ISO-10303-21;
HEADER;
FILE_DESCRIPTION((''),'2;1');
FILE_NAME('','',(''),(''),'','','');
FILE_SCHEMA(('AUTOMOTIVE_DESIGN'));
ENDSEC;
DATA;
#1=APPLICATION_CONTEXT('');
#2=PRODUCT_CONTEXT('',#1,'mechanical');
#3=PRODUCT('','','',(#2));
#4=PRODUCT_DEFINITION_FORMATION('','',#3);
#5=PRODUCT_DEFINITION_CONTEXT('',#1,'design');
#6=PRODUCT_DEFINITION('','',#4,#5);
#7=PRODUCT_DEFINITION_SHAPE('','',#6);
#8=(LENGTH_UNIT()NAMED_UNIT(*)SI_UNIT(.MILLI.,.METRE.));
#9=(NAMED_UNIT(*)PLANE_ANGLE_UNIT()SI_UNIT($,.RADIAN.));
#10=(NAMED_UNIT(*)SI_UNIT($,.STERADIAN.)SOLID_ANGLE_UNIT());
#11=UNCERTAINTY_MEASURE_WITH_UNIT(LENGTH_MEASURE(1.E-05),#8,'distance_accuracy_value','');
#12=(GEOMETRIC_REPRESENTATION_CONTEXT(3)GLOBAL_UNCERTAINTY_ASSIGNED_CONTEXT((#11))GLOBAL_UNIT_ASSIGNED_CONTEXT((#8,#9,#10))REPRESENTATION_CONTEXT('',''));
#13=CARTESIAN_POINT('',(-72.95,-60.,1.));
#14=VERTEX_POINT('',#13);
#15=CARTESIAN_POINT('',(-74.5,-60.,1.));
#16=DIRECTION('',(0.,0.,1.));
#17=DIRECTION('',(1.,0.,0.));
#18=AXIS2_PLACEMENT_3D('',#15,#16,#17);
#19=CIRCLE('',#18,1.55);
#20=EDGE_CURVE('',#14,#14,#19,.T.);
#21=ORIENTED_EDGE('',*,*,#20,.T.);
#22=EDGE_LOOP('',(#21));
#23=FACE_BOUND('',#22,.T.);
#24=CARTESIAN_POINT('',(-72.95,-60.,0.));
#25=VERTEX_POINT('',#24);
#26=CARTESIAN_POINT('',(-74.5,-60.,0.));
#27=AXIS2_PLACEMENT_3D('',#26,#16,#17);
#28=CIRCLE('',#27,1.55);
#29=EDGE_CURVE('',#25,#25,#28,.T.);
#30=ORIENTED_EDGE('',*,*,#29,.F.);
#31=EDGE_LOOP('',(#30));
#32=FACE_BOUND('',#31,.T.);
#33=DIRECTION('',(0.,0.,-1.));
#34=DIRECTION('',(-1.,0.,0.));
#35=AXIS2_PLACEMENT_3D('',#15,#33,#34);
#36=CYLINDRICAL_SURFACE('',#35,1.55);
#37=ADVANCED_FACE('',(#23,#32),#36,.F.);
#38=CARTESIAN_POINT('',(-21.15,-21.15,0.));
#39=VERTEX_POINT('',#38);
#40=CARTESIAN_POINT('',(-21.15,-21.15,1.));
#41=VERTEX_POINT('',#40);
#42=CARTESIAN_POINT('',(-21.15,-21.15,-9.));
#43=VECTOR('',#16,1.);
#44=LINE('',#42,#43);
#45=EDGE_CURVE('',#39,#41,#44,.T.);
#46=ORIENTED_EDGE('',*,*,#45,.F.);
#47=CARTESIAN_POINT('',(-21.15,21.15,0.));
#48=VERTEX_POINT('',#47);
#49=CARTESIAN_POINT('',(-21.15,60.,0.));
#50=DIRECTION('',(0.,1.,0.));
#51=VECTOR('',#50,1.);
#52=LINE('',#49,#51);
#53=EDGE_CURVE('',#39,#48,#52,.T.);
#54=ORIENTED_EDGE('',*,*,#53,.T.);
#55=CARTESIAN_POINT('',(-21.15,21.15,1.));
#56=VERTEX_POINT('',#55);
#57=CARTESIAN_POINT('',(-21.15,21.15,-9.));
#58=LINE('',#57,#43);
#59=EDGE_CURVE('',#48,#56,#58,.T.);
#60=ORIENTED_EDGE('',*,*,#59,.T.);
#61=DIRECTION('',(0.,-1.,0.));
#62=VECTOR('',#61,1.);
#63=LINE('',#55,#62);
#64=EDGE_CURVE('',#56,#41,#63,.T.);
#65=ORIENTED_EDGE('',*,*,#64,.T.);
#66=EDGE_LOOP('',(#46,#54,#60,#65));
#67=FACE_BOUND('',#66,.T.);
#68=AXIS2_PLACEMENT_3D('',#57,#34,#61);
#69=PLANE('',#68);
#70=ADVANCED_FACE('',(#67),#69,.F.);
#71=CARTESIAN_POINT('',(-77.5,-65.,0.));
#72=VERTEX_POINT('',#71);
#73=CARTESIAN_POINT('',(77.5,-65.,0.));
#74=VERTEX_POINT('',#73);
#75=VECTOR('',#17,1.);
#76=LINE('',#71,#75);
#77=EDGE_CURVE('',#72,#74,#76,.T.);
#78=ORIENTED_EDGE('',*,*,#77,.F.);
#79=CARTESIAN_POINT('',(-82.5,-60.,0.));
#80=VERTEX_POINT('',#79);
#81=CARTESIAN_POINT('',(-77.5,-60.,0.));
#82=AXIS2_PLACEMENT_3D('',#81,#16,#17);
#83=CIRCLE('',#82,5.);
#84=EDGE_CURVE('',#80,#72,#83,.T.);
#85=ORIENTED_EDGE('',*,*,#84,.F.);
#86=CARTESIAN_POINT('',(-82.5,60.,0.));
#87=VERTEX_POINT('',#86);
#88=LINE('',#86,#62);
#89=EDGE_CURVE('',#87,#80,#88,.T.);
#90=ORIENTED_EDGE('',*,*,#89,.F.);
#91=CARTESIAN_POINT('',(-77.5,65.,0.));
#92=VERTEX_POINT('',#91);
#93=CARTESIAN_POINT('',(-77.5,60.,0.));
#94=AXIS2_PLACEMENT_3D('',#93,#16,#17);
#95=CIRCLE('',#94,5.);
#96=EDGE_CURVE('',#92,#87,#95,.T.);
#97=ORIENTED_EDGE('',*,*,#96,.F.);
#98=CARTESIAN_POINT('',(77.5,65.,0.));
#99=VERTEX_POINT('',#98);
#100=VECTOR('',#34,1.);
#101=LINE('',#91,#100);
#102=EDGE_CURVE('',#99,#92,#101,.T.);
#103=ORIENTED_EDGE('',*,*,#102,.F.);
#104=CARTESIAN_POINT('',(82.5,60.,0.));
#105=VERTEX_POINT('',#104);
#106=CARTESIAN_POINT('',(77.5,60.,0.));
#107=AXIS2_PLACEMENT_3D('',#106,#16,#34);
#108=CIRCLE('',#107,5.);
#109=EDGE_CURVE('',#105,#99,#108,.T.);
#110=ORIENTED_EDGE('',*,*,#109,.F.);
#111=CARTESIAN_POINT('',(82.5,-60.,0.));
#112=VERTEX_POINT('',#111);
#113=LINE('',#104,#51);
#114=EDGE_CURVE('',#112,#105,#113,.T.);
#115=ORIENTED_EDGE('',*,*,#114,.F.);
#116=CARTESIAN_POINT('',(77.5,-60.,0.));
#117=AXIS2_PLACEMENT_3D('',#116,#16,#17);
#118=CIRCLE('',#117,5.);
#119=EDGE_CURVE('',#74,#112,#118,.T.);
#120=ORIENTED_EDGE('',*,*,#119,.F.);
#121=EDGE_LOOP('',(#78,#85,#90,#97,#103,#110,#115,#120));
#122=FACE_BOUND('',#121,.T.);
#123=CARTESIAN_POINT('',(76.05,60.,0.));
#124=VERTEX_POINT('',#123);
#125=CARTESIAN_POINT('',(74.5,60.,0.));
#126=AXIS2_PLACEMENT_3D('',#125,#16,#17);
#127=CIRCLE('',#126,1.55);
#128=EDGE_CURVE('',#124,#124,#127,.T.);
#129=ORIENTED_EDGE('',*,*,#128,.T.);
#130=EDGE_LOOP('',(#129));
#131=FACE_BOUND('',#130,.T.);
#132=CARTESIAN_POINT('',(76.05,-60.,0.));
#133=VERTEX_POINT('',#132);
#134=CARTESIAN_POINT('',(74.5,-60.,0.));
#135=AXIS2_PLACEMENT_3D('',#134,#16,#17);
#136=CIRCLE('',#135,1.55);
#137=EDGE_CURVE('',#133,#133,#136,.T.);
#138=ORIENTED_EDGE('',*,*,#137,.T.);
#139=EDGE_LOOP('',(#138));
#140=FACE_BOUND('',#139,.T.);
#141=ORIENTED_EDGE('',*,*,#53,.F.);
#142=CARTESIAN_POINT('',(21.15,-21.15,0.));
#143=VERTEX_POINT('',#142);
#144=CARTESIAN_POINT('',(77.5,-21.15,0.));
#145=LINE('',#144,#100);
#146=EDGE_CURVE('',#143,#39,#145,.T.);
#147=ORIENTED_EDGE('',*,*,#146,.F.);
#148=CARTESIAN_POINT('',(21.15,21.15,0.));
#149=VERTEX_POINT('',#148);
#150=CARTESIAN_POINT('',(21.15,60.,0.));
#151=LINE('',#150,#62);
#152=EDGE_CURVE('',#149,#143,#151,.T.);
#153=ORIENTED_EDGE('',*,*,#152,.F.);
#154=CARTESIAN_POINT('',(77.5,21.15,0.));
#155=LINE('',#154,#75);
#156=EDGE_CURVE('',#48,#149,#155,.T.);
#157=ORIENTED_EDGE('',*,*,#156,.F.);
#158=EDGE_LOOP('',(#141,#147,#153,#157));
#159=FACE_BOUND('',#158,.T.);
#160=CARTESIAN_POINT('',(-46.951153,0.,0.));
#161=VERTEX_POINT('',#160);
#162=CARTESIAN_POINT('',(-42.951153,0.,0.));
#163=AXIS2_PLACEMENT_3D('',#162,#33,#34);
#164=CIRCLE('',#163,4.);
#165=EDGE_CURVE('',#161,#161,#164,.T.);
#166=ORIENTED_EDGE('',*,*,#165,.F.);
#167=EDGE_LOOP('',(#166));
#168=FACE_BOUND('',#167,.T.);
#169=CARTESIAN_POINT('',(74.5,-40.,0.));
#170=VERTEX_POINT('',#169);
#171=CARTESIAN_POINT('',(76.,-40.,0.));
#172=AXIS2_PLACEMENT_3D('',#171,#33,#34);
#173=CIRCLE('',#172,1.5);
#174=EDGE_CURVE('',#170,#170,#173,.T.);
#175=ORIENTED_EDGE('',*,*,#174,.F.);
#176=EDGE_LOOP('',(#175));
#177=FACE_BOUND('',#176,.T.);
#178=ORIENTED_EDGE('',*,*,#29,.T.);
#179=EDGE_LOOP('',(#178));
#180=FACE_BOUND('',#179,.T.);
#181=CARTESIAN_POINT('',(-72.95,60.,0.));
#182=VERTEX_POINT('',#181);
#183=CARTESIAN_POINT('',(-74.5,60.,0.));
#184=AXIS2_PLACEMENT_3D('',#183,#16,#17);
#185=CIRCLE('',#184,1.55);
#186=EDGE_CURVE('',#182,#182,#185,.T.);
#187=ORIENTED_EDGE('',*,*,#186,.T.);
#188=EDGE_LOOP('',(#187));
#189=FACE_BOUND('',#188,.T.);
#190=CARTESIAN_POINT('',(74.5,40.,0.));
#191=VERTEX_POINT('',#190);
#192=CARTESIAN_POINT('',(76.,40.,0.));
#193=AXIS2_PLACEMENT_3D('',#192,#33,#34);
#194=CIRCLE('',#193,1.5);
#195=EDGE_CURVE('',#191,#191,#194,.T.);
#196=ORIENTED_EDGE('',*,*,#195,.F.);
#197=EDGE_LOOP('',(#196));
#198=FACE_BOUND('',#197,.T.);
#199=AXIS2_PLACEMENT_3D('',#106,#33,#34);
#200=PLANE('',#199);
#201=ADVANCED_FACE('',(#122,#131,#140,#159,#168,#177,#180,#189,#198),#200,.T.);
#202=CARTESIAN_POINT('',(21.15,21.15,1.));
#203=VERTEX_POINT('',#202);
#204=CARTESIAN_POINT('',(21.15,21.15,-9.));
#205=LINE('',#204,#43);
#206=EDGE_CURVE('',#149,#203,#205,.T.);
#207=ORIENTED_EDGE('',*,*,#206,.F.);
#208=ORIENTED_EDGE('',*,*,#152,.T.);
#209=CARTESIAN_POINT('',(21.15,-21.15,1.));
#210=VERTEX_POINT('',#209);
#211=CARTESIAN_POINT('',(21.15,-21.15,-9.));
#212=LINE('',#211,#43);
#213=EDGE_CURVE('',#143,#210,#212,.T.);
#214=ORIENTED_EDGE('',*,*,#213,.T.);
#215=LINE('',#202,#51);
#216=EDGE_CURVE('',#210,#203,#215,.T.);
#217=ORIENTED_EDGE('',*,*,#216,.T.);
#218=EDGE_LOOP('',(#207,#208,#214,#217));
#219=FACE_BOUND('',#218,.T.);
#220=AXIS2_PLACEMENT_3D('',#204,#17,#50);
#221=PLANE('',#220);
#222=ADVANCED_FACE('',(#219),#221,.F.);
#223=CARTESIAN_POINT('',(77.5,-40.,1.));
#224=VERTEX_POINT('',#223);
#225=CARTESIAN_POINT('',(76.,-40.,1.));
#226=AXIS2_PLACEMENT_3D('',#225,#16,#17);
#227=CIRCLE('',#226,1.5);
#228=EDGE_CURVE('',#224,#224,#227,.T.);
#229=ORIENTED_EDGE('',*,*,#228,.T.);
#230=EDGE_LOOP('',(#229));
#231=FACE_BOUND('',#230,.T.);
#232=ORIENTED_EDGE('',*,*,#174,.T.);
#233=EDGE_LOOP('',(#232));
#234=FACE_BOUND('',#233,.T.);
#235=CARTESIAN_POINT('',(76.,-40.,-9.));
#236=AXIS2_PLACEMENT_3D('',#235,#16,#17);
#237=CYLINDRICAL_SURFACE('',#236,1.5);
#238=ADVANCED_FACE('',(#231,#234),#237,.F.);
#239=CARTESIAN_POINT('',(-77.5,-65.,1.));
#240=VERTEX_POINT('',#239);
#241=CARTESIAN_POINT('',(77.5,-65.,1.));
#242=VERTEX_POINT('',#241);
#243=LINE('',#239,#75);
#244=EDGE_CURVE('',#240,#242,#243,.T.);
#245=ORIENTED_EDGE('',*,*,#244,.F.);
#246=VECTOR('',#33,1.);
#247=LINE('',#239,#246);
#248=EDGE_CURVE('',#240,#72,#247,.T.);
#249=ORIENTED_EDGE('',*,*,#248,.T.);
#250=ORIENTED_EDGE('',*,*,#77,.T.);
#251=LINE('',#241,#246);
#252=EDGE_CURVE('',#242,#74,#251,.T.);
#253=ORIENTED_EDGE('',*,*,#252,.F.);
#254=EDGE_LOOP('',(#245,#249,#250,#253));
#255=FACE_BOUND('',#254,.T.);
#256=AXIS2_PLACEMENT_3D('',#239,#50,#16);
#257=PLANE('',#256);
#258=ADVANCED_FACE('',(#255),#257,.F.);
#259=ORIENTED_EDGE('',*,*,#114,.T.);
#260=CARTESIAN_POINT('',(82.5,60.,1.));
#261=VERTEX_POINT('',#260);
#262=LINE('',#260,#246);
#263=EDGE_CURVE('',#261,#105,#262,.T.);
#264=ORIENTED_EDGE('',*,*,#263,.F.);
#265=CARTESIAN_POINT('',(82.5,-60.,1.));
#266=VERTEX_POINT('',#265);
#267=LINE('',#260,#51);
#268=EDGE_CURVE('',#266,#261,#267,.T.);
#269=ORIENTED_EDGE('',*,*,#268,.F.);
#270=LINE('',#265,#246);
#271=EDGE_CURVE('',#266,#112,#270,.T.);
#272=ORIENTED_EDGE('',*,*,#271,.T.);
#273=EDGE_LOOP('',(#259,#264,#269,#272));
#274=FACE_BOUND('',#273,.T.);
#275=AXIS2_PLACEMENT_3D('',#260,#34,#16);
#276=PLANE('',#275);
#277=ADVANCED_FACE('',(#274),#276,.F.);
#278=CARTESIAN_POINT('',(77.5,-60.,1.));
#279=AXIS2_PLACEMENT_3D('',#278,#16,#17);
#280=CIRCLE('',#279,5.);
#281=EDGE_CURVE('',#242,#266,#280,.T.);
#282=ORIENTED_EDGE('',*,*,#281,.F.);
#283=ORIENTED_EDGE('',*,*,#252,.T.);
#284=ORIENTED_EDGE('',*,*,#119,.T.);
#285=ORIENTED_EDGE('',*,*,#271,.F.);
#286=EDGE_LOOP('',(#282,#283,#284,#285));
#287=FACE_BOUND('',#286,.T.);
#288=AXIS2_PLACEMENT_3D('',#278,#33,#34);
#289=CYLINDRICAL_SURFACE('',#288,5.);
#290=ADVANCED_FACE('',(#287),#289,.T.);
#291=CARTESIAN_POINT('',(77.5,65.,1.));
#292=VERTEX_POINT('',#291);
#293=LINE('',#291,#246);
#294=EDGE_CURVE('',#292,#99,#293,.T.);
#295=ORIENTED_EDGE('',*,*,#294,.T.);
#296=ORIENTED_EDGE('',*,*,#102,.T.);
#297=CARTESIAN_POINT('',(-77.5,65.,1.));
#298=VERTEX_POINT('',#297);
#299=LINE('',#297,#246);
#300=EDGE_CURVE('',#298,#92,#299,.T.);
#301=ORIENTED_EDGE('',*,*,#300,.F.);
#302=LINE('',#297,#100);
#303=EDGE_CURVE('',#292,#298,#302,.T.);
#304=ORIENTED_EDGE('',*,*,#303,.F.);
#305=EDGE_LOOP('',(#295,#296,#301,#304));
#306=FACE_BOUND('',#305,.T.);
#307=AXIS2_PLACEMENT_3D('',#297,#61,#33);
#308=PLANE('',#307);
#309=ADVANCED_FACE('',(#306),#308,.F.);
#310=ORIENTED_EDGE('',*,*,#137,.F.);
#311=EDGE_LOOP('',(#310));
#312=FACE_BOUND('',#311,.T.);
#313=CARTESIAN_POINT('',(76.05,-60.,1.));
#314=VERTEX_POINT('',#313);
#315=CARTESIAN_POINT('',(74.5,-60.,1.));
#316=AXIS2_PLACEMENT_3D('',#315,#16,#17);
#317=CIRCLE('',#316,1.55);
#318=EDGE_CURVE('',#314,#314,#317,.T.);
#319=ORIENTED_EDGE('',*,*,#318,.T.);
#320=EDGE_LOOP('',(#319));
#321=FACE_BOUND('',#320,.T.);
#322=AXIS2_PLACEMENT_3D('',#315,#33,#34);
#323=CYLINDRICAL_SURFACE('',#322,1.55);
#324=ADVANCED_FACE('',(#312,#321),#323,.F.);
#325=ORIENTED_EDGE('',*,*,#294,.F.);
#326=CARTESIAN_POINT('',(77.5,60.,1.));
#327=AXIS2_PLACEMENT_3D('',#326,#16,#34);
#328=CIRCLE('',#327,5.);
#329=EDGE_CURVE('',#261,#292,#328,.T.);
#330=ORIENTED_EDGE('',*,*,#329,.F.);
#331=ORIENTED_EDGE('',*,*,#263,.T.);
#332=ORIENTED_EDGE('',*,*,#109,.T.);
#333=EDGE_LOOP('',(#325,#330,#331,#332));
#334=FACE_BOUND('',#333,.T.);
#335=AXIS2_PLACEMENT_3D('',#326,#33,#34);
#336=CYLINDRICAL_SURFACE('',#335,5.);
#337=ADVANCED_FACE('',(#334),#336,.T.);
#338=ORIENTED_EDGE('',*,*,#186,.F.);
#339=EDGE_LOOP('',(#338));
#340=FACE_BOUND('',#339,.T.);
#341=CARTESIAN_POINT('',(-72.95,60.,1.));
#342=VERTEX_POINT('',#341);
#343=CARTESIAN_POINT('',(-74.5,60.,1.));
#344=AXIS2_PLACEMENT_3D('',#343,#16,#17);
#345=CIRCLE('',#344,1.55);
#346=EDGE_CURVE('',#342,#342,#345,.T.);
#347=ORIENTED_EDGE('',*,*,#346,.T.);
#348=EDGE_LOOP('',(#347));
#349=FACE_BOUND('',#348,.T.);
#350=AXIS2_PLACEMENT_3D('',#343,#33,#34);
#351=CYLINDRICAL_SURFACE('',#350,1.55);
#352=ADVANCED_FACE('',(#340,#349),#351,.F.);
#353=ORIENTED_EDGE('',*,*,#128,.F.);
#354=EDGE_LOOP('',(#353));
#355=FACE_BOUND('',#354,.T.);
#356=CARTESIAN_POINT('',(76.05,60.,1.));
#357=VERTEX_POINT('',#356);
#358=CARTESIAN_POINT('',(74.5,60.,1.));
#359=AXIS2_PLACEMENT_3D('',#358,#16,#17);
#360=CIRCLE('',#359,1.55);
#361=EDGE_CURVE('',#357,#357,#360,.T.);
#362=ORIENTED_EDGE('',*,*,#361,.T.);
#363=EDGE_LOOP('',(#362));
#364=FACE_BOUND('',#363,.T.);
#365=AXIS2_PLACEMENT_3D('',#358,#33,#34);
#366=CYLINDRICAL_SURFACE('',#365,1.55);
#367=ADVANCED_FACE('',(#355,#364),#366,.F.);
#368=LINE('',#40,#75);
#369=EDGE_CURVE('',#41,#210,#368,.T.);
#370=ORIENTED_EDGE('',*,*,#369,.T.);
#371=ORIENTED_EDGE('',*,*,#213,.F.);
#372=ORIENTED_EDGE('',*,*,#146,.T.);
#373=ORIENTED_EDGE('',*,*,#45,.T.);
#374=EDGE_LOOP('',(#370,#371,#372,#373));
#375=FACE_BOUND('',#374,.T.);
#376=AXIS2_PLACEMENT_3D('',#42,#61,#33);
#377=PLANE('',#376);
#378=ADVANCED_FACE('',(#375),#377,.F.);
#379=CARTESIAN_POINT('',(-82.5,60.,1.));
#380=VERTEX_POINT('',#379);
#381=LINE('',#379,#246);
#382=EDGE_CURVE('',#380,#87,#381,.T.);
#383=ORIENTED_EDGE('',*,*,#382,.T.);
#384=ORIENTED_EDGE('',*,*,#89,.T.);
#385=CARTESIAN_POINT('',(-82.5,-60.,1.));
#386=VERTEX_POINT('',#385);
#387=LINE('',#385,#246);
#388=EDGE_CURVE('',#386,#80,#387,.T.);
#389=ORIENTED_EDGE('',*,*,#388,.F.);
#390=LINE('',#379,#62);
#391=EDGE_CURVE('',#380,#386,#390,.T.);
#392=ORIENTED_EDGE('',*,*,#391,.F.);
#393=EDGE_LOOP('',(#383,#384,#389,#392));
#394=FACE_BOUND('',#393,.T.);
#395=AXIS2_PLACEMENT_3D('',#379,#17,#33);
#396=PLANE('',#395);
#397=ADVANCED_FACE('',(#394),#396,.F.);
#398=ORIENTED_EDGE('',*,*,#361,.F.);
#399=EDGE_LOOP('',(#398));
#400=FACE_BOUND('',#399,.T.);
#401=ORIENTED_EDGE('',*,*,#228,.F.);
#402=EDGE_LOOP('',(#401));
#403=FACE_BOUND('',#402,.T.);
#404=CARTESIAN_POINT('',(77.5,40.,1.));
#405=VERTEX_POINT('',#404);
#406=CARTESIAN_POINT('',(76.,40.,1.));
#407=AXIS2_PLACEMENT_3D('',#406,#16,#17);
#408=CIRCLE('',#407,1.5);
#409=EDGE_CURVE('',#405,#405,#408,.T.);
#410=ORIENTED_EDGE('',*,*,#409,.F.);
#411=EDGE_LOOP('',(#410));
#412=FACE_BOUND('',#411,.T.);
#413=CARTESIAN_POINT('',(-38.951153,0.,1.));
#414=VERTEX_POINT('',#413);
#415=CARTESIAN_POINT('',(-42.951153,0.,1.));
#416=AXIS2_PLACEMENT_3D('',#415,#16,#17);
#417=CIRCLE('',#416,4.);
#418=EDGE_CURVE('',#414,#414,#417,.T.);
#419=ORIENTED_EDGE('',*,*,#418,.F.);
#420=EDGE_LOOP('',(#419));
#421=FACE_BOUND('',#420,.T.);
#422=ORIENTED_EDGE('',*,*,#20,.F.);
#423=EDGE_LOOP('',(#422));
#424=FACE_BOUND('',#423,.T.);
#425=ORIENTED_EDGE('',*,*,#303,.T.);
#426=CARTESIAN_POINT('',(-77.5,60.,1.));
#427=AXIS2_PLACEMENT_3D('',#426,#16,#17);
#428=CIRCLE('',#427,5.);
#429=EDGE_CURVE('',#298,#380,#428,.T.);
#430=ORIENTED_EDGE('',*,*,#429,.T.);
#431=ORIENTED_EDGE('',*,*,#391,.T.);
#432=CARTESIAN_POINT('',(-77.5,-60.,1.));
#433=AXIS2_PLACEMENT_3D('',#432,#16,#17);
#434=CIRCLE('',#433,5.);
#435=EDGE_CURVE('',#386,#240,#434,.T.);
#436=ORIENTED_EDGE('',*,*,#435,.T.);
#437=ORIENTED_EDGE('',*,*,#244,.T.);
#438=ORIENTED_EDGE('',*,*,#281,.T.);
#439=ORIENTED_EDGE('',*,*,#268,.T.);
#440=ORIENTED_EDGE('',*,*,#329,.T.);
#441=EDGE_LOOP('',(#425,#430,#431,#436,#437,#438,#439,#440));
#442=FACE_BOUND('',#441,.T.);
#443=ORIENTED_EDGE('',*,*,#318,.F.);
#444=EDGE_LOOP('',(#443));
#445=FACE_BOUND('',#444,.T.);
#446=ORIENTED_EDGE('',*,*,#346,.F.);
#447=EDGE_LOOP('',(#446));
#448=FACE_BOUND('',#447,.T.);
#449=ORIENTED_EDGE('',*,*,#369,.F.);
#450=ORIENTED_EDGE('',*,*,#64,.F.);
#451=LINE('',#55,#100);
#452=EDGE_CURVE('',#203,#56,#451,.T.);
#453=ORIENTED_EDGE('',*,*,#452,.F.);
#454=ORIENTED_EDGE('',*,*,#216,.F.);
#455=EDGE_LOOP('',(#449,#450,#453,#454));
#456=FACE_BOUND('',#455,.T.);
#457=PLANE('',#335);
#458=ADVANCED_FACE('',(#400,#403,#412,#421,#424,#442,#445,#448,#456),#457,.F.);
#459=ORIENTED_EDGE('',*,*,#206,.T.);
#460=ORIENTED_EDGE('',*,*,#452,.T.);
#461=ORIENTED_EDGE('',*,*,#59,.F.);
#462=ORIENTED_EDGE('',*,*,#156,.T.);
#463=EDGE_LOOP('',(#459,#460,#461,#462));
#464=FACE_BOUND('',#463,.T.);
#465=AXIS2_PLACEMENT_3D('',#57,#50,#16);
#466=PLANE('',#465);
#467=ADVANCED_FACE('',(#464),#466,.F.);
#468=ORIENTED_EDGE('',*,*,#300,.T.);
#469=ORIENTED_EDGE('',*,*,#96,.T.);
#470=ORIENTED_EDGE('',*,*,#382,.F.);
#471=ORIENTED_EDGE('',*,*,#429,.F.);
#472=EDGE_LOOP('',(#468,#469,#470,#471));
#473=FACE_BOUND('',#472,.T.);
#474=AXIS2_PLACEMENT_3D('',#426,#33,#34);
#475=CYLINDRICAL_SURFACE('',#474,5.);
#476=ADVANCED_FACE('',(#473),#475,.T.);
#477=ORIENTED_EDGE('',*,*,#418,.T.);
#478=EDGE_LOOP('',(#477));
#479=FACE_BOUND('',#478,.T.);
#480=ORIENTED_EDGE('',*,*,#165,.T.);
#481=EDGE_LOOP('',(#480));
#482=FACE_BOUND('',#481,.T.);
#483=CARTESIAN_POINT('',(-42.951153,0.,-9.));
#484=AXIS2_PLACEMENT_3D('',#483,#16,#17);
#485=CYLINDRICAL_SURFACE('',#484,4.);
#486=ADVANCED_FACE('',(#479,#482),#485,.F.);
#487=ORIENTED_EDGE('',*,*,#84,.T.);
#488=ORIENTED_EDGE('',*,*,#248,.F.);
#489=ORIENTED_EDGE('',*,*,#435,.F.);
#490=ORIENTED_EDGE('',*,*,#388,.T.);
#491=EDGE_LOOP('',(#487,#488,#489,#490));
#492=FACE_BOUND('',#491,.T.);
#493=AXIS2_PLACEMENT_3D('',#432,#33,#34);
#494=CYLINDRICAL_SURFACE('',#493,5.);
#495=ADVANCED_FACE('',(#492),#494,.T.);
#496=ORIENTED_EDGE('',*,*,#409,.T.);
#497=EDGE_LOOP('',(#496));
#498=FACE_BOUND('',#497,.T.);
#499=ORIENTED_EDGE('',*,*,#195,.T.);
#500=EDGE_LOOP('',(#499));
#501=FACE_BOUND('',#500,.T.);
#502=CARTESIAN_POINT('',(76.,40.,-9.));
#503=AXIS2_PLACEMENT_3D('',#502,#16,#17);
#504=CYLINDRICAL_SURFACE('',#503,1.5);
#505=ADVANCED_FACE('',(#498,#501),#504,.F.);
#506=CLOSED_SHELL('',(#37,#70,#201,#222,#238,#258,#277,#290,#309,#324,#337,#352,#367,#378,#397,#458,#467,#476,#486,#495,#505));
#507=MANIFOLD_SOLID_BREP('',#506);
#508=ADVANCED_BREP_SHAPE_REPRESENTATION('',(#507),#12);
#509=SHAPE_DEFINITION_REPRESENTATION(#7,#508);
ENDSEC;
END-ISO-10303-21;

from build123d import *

# Parameters (mm, degrees)
SKETCH_1_R          = 1.55
EXTRUDE_1_DEPTH     = 1
SKETCH_3_R          = 1.5
CUT_EXTRUDE_2_DEPTH = 10
SKETCH_4_R          = 4
CUT_EXTRUDE_3_DEPTH = 10
SKETCH_5_W          = 42.3
SKETCH_5_H          = 42.3
CUT_EXTRUDE_4_DEPTH = 10


with BuildPart() as part:
    # 草图1 → 凸台-拉伸1 (new body)
    with BuildSketch(Plane.XY):
        with BuildLine():
            Line((-77.5, 65), (77.5, 65))
            ThreePointArc((77.5, 65), (81.035533906, 63.535533906), (82.5, 60))
            Line((82.5, 60), (82.5, -60))
            ThreePointArc((82.5, -60), (81.035533906, -63.535533906), (77.5, -65))
            Line((77.5, -65), (-77.5, -65))
            ThreePointArc((-77.5, -65), (-81.035533906, -63.535533906), (-82.5, -60))
            Line((-82.5, -60), (-82.5, 60))
            ThreePointArc((-82.5, 60), (-81.035533906, 63.535533906), (-77.5, 65))
        make_face()
        with Locations((-74.5, 60)):
            Circle(SKETCH_1_R, mode=Mode.SUBTRACT)
        with Locations((74.5, 60)):
            Circle(SKETCH_1_R, mode=Mode.SUBTRACT)
        with Locations((74.5, -60)):
            Circle(SKETCH_1_R, mode=Mode.SUBTRACT)
        with Locations((-74.5, -60)):
            Circle(SKETCH_1_R, mode=Mode.SUBTRACT)
    extrude(amount=EXTRUDE_1_DEPTH)

    # 草图3 → 切除-拉伸2 (cut)
    with BuildSketch(Plane.XY.offset(1)):
        with Locations((76, 40)):
            Circle(SKETCH_3_R)
        with Locations((76, -40)):
            Circle(SKETCH_3_R)
    extrude(amount=-CUT_EXTRUDE_2_DEPTH, mode=Mode.SUBTRACT)

    # 草图4 → 切除-拉伸3 (cut)
    with BuildSketch(Plane.XY.offset(1)):
        with Locations((-42.951152845, 0)):
            Circle(SKETCH_4_R)
    extrude(amount=-CUT_EXTRUDE_3_DEPTH, mode=Mode.SUBTRACT)

    # 草图5 → 切除-拉伸4 (cut)
    with BuildSketch(Plane.XY.offset(1)):
        Rectangle(SKETCH_5_W, SKETCH_5_H)
    extrude(amount=-CUT_EXTRUDE_4_DEPTH, mode=Mode.SUBTRACT)


solid = part.part
